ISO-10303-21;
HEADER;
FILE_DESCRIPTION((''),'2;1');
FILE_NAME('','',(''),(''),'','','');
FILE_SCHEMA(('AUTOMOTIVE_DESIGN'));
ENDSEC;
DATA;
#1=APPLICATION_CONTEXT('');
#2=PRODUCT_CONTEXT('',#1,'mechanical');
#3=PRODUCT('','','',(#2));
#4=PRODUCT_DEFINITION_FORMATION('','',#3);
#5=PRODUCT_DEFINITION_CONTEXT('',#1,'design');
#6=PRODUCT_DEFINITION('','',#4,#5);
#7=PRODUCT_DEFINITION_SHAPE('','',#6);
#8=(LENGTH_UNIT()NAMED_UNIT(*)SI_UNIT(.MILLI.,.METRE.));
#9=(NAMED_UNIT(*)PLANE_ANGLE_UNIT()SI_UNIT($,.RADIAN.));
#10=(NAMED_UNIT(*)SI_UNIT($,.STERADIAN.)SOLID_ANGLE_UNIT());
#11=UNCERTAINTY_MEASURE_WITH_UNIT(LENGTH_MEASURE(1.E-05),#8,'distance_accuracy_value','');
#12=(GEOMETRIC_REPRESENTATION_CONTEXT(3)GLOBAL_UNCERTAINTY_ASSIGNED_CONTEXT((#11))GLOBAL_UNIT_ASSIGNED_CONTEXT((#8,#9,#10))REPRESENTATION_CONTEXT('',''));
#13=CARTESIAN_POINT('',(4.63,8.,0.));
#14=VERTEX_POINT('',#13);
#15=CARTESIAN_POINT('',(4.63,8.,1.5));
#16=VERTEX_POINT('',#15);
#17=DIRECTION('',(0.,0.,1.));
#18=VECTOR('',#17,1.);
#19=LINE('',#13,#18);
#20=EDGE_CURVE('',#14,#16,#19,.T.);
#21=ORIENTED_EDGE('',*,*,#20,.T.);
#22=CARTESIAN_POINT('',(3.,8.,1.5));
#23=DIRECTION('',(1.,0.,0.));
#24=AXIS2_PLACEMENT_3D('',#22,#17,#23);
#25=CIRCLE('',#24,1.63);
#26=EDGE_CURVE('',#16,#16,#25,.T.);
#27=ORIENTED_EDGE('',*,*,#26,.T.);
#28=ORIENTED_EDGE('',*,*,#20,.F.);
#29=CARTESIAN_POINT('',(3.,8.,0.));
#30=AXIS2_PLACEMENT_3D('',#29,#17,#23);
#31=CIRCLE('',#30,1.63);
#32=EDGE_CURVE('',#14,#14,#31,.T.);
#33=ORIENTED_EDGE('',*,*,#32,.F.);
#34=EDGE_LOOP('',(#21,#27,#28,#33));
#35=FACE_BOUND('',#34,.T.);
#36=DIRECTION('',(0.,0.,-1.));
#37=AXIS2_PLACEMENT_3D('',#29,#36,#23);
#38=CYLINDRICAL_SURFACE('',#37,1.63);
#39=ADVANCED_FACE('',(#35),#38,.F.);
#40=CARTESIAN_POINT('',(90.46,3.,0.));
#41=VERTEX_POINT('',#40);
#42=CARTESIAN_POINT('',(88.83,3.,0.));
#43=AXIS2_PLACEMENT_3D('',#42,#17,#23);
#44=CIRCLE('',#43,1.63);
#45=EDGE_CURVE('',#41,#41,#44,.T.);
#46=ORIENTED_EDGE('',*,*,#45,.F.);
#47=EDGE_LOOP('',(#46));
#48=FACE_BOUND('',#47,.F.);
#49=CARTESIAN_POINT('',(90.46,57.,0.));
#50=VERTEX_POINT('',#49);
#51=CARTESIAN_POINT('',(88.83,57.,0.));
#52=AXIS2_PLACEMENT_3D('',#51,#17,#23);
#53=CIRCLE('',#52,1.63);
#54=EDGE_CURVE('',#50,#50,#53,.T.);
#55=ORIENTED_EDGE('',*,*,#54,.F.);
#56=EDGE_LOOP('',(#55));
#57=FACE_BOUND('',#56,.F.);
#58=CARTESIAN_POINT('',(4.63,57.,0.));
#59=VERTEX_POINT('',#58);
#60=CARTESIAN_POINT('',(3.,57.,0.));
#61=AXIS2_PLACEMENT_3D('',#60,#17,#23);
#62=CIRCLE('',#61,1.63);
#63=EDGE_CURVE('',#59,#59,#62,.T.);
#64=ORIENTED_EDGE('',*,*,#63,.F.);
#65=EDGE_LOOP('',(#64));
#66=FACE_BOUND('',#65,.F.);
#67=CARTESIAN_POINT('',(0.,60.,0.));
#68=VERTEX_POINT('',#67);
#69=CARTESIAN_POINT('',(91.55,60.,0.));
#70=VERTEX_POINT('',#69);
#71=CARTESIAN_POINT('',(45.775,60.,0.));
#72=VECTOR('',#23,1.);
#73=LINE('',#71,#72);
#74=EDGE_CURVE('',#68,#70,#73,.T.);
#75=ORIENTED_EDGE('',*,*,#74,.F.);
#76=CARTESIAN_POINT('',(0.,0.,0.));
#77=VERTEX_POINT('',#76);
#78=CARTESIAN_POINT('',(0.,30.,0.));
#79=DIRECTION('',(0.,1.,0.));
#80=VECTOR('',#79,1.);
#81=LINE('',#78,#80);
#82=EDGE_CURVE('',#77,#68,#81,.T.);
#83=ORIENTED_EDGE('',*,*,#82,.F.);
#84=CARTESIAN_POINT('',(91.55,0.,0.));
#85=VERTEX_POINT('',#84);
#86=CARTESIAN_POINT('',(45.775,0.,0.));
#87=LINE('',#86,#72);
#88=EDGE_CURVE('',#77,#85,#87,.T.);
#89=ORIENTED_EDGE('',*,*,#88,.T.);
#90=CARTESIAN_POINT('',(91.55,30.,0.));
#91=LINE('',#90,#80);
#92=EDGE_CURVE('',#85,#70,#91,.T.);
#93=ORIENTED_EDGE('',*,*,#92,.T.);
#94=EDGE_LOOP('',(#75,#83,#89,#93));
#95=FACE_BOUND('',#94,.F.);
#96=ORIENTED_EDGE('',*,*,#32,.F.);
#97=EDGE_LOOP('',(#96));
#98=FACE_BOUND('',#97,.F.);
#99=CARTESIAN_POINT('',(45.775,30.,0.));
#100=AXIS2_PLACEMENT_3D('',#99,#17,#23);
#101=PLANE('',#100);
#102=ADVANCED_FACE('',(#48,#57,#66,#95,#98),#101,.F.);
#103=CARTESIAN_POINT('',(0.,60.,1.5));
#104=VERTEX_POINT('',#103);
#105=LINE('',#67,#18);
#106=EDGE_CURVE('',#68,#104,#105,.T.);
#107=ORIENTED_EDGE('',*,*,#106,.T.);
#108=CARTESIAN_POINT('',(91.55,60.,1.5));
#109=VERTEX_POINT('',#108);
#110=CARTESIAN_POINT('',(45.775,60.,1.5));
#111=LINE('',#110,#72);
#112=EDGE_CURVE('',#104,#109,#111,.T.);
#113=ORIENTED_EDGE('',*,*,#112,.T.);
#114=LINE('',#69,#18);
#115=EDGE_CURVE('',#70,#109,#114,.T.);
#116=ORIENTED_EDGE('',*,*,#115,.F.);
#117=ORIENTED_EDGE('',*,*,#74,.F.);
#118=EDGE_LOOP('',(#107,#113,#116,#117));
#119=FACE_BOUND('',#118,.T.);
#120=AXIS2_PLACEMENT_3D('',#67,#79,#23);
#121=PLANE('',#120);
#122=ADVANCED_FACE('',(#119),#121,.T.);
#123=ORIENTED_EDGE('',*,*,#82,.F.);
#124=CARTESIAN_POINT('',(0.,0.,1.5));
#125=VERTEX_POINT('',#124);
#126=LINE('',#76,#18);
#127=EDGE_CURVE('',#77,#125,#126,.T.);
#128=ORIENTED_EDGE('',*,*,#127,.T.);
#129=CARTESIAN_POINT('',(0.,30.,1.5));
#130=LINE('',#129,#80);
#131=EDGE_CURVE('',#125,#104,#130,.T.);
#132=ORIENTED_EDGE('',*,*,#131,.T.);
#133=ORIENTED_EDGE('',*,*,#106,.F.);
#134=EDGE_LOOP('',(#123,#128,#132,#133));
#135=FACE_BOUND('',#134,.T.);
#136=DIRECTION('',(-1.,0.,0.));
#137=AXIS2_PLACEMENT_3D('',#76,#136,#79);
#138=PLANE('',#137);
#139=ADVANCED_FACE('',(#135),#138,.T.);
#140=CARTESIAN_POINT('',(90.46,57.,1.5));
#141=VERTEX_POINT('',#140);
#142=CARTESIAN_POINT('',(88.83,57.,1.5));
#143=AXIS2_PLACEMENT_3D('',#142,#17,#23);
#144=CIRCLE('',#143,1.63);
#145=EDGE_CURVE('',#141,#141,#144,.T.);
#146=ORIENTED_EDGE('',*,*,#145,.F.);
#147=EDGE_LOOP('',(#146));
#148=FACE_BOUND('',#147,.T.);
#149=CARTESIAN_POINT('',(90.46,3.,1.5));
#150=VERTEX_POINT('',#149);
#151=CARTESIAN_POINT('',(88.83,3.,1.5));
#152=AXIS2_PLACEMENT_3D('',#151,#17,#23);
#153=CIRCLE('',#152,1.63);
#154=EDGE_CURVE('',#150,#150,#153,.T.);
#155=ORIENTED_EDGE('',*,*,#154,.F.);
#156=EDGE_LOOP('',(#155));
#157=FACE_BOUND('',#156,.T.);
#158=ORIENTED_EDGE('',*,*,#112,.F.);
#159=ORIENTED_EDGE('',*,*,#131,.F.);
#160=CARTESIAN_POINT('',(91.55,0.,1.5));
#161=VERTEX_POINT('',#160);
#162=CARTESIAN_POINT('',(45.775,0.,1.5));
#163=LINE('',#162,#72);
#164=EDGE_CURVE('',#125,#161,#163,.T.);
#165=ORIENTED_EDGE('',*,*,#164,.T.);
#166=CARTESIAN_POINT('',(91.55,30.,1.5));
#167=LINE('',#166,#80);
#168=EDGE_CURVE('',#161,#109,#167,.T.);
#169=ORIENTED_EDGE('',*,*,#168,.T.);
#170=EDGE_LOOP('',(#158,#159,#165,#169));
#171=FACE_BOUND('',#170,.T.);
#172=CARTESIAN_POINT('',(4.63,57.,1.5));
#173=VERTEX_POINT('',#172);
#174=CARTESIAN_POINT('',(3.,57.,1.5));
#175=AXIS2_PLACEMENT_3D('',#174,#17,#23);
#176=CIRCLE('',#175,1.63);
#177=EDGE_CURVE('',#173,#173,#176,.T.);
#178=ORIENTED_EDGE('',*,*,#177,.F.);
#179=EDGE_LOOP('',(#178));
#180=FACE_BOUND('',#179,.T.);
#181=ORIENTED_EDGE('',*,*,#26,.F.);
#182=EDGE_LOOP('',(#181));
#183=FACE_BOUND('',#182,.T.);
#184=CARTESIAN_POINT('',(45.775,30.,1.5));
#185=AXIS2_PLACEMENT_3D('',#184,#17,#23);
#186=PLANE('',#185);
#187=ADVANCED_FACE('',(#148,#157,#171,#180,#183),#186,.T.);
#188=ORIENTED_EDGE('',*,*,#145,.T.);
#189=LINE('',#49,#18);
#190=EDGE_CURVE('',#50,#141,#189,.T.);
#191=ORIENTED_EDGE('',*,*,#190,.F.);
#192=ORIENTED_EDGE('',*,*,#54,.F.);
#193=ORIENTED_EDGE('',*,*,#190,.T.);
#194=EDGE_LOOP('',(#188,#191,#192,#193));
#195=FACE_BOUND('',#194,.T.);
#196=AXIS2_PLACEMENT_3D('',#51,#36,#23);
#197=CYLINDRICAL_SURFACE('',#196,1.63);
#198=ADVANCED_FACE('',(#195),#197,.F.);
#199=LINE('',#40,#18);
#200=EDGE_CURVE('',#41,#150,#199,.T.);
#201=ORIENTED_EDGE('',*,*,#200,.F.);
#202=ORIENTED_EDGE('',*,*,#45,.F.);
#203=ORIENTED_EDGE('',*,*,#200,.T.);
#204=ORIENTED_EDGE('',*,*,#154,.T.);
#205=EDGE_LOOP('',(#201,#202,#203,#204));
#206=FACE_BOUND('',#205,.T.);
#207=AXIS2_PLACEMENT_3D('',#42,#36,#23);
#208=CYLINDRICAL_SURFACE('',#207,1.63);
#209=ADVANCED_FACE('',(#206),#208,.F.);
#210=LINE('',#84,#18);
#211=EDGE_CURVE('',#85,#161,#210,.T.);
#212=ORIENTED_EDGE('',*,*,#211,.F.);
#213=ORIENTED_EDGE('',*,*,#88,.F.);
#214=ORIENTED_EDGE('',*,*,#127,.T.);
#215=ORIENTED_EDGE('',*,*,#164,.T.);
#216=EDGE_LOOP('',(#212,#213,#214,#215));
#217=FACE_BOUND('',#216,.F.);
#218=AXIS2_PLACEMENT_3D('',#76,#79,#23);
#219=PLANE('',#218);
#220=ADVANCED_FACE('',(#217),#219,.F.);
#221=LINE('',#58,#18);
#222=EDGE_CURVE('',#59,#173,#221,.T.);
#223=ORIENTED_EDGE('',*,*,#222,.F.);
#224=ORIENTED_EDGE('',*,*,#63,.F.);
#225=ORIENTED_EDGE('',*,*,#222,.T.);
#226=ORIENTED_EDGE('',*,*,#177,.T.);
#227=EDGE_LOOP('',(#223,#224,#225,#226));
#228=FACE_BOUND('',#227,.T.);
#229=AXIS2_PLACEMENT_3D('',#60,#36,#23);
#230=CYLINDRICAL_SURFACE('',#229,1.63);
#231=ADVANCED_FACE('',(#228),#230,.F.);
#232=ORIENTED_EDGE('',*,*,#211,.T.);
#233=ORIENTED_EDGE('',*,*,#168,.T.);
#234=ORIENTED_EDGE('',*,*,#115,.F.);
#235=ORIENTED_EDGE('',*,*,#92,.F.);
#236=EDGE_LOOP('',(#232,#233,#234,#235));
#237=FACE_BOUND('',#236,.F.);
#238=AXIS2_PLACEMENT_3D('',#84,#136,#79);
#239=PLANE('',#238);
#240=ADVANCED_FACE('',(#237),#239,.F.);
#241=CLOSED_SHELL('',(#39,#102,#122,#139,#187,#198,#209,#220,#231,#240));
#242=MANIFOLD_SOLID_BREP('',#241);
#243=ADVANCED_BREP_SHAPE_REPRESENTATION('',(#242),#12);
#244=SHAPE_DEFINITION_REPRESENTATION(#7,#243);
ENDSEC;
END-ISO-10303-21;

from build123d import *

# Parameters (mm, degrees)
SKETCH_W  = 91.55
SKETCH_H  = 60
SKETCH_R  = 1.63
PAD_DEPTH = 1.5


with BuildPart() as part:
    # Sketch → Pad (new body)
    with BuildSketch(Plane.XY):
        with Locations((45.775, 30)):
            Rectangle(SKETCH_W, SKETCH_H)
        with Locations((3, 57)):
            Circle(SKETCH_R, mode=Mode.SUBTRACT)
        with Locations((3, 8)):
            Circle(SKETCH_R, mode=Mode.SUBTRACT)
        with Locations((88.83, 57)):
            Circle(SKETCH_R, mode=Mode.SUBTRACT)
        with Locations((88.83, 3)):
            Circle(SKETCH_R, mode=Mode.SUBTRACT)
    extrude(amount=PAD_DEPTH)


solid = part.part
